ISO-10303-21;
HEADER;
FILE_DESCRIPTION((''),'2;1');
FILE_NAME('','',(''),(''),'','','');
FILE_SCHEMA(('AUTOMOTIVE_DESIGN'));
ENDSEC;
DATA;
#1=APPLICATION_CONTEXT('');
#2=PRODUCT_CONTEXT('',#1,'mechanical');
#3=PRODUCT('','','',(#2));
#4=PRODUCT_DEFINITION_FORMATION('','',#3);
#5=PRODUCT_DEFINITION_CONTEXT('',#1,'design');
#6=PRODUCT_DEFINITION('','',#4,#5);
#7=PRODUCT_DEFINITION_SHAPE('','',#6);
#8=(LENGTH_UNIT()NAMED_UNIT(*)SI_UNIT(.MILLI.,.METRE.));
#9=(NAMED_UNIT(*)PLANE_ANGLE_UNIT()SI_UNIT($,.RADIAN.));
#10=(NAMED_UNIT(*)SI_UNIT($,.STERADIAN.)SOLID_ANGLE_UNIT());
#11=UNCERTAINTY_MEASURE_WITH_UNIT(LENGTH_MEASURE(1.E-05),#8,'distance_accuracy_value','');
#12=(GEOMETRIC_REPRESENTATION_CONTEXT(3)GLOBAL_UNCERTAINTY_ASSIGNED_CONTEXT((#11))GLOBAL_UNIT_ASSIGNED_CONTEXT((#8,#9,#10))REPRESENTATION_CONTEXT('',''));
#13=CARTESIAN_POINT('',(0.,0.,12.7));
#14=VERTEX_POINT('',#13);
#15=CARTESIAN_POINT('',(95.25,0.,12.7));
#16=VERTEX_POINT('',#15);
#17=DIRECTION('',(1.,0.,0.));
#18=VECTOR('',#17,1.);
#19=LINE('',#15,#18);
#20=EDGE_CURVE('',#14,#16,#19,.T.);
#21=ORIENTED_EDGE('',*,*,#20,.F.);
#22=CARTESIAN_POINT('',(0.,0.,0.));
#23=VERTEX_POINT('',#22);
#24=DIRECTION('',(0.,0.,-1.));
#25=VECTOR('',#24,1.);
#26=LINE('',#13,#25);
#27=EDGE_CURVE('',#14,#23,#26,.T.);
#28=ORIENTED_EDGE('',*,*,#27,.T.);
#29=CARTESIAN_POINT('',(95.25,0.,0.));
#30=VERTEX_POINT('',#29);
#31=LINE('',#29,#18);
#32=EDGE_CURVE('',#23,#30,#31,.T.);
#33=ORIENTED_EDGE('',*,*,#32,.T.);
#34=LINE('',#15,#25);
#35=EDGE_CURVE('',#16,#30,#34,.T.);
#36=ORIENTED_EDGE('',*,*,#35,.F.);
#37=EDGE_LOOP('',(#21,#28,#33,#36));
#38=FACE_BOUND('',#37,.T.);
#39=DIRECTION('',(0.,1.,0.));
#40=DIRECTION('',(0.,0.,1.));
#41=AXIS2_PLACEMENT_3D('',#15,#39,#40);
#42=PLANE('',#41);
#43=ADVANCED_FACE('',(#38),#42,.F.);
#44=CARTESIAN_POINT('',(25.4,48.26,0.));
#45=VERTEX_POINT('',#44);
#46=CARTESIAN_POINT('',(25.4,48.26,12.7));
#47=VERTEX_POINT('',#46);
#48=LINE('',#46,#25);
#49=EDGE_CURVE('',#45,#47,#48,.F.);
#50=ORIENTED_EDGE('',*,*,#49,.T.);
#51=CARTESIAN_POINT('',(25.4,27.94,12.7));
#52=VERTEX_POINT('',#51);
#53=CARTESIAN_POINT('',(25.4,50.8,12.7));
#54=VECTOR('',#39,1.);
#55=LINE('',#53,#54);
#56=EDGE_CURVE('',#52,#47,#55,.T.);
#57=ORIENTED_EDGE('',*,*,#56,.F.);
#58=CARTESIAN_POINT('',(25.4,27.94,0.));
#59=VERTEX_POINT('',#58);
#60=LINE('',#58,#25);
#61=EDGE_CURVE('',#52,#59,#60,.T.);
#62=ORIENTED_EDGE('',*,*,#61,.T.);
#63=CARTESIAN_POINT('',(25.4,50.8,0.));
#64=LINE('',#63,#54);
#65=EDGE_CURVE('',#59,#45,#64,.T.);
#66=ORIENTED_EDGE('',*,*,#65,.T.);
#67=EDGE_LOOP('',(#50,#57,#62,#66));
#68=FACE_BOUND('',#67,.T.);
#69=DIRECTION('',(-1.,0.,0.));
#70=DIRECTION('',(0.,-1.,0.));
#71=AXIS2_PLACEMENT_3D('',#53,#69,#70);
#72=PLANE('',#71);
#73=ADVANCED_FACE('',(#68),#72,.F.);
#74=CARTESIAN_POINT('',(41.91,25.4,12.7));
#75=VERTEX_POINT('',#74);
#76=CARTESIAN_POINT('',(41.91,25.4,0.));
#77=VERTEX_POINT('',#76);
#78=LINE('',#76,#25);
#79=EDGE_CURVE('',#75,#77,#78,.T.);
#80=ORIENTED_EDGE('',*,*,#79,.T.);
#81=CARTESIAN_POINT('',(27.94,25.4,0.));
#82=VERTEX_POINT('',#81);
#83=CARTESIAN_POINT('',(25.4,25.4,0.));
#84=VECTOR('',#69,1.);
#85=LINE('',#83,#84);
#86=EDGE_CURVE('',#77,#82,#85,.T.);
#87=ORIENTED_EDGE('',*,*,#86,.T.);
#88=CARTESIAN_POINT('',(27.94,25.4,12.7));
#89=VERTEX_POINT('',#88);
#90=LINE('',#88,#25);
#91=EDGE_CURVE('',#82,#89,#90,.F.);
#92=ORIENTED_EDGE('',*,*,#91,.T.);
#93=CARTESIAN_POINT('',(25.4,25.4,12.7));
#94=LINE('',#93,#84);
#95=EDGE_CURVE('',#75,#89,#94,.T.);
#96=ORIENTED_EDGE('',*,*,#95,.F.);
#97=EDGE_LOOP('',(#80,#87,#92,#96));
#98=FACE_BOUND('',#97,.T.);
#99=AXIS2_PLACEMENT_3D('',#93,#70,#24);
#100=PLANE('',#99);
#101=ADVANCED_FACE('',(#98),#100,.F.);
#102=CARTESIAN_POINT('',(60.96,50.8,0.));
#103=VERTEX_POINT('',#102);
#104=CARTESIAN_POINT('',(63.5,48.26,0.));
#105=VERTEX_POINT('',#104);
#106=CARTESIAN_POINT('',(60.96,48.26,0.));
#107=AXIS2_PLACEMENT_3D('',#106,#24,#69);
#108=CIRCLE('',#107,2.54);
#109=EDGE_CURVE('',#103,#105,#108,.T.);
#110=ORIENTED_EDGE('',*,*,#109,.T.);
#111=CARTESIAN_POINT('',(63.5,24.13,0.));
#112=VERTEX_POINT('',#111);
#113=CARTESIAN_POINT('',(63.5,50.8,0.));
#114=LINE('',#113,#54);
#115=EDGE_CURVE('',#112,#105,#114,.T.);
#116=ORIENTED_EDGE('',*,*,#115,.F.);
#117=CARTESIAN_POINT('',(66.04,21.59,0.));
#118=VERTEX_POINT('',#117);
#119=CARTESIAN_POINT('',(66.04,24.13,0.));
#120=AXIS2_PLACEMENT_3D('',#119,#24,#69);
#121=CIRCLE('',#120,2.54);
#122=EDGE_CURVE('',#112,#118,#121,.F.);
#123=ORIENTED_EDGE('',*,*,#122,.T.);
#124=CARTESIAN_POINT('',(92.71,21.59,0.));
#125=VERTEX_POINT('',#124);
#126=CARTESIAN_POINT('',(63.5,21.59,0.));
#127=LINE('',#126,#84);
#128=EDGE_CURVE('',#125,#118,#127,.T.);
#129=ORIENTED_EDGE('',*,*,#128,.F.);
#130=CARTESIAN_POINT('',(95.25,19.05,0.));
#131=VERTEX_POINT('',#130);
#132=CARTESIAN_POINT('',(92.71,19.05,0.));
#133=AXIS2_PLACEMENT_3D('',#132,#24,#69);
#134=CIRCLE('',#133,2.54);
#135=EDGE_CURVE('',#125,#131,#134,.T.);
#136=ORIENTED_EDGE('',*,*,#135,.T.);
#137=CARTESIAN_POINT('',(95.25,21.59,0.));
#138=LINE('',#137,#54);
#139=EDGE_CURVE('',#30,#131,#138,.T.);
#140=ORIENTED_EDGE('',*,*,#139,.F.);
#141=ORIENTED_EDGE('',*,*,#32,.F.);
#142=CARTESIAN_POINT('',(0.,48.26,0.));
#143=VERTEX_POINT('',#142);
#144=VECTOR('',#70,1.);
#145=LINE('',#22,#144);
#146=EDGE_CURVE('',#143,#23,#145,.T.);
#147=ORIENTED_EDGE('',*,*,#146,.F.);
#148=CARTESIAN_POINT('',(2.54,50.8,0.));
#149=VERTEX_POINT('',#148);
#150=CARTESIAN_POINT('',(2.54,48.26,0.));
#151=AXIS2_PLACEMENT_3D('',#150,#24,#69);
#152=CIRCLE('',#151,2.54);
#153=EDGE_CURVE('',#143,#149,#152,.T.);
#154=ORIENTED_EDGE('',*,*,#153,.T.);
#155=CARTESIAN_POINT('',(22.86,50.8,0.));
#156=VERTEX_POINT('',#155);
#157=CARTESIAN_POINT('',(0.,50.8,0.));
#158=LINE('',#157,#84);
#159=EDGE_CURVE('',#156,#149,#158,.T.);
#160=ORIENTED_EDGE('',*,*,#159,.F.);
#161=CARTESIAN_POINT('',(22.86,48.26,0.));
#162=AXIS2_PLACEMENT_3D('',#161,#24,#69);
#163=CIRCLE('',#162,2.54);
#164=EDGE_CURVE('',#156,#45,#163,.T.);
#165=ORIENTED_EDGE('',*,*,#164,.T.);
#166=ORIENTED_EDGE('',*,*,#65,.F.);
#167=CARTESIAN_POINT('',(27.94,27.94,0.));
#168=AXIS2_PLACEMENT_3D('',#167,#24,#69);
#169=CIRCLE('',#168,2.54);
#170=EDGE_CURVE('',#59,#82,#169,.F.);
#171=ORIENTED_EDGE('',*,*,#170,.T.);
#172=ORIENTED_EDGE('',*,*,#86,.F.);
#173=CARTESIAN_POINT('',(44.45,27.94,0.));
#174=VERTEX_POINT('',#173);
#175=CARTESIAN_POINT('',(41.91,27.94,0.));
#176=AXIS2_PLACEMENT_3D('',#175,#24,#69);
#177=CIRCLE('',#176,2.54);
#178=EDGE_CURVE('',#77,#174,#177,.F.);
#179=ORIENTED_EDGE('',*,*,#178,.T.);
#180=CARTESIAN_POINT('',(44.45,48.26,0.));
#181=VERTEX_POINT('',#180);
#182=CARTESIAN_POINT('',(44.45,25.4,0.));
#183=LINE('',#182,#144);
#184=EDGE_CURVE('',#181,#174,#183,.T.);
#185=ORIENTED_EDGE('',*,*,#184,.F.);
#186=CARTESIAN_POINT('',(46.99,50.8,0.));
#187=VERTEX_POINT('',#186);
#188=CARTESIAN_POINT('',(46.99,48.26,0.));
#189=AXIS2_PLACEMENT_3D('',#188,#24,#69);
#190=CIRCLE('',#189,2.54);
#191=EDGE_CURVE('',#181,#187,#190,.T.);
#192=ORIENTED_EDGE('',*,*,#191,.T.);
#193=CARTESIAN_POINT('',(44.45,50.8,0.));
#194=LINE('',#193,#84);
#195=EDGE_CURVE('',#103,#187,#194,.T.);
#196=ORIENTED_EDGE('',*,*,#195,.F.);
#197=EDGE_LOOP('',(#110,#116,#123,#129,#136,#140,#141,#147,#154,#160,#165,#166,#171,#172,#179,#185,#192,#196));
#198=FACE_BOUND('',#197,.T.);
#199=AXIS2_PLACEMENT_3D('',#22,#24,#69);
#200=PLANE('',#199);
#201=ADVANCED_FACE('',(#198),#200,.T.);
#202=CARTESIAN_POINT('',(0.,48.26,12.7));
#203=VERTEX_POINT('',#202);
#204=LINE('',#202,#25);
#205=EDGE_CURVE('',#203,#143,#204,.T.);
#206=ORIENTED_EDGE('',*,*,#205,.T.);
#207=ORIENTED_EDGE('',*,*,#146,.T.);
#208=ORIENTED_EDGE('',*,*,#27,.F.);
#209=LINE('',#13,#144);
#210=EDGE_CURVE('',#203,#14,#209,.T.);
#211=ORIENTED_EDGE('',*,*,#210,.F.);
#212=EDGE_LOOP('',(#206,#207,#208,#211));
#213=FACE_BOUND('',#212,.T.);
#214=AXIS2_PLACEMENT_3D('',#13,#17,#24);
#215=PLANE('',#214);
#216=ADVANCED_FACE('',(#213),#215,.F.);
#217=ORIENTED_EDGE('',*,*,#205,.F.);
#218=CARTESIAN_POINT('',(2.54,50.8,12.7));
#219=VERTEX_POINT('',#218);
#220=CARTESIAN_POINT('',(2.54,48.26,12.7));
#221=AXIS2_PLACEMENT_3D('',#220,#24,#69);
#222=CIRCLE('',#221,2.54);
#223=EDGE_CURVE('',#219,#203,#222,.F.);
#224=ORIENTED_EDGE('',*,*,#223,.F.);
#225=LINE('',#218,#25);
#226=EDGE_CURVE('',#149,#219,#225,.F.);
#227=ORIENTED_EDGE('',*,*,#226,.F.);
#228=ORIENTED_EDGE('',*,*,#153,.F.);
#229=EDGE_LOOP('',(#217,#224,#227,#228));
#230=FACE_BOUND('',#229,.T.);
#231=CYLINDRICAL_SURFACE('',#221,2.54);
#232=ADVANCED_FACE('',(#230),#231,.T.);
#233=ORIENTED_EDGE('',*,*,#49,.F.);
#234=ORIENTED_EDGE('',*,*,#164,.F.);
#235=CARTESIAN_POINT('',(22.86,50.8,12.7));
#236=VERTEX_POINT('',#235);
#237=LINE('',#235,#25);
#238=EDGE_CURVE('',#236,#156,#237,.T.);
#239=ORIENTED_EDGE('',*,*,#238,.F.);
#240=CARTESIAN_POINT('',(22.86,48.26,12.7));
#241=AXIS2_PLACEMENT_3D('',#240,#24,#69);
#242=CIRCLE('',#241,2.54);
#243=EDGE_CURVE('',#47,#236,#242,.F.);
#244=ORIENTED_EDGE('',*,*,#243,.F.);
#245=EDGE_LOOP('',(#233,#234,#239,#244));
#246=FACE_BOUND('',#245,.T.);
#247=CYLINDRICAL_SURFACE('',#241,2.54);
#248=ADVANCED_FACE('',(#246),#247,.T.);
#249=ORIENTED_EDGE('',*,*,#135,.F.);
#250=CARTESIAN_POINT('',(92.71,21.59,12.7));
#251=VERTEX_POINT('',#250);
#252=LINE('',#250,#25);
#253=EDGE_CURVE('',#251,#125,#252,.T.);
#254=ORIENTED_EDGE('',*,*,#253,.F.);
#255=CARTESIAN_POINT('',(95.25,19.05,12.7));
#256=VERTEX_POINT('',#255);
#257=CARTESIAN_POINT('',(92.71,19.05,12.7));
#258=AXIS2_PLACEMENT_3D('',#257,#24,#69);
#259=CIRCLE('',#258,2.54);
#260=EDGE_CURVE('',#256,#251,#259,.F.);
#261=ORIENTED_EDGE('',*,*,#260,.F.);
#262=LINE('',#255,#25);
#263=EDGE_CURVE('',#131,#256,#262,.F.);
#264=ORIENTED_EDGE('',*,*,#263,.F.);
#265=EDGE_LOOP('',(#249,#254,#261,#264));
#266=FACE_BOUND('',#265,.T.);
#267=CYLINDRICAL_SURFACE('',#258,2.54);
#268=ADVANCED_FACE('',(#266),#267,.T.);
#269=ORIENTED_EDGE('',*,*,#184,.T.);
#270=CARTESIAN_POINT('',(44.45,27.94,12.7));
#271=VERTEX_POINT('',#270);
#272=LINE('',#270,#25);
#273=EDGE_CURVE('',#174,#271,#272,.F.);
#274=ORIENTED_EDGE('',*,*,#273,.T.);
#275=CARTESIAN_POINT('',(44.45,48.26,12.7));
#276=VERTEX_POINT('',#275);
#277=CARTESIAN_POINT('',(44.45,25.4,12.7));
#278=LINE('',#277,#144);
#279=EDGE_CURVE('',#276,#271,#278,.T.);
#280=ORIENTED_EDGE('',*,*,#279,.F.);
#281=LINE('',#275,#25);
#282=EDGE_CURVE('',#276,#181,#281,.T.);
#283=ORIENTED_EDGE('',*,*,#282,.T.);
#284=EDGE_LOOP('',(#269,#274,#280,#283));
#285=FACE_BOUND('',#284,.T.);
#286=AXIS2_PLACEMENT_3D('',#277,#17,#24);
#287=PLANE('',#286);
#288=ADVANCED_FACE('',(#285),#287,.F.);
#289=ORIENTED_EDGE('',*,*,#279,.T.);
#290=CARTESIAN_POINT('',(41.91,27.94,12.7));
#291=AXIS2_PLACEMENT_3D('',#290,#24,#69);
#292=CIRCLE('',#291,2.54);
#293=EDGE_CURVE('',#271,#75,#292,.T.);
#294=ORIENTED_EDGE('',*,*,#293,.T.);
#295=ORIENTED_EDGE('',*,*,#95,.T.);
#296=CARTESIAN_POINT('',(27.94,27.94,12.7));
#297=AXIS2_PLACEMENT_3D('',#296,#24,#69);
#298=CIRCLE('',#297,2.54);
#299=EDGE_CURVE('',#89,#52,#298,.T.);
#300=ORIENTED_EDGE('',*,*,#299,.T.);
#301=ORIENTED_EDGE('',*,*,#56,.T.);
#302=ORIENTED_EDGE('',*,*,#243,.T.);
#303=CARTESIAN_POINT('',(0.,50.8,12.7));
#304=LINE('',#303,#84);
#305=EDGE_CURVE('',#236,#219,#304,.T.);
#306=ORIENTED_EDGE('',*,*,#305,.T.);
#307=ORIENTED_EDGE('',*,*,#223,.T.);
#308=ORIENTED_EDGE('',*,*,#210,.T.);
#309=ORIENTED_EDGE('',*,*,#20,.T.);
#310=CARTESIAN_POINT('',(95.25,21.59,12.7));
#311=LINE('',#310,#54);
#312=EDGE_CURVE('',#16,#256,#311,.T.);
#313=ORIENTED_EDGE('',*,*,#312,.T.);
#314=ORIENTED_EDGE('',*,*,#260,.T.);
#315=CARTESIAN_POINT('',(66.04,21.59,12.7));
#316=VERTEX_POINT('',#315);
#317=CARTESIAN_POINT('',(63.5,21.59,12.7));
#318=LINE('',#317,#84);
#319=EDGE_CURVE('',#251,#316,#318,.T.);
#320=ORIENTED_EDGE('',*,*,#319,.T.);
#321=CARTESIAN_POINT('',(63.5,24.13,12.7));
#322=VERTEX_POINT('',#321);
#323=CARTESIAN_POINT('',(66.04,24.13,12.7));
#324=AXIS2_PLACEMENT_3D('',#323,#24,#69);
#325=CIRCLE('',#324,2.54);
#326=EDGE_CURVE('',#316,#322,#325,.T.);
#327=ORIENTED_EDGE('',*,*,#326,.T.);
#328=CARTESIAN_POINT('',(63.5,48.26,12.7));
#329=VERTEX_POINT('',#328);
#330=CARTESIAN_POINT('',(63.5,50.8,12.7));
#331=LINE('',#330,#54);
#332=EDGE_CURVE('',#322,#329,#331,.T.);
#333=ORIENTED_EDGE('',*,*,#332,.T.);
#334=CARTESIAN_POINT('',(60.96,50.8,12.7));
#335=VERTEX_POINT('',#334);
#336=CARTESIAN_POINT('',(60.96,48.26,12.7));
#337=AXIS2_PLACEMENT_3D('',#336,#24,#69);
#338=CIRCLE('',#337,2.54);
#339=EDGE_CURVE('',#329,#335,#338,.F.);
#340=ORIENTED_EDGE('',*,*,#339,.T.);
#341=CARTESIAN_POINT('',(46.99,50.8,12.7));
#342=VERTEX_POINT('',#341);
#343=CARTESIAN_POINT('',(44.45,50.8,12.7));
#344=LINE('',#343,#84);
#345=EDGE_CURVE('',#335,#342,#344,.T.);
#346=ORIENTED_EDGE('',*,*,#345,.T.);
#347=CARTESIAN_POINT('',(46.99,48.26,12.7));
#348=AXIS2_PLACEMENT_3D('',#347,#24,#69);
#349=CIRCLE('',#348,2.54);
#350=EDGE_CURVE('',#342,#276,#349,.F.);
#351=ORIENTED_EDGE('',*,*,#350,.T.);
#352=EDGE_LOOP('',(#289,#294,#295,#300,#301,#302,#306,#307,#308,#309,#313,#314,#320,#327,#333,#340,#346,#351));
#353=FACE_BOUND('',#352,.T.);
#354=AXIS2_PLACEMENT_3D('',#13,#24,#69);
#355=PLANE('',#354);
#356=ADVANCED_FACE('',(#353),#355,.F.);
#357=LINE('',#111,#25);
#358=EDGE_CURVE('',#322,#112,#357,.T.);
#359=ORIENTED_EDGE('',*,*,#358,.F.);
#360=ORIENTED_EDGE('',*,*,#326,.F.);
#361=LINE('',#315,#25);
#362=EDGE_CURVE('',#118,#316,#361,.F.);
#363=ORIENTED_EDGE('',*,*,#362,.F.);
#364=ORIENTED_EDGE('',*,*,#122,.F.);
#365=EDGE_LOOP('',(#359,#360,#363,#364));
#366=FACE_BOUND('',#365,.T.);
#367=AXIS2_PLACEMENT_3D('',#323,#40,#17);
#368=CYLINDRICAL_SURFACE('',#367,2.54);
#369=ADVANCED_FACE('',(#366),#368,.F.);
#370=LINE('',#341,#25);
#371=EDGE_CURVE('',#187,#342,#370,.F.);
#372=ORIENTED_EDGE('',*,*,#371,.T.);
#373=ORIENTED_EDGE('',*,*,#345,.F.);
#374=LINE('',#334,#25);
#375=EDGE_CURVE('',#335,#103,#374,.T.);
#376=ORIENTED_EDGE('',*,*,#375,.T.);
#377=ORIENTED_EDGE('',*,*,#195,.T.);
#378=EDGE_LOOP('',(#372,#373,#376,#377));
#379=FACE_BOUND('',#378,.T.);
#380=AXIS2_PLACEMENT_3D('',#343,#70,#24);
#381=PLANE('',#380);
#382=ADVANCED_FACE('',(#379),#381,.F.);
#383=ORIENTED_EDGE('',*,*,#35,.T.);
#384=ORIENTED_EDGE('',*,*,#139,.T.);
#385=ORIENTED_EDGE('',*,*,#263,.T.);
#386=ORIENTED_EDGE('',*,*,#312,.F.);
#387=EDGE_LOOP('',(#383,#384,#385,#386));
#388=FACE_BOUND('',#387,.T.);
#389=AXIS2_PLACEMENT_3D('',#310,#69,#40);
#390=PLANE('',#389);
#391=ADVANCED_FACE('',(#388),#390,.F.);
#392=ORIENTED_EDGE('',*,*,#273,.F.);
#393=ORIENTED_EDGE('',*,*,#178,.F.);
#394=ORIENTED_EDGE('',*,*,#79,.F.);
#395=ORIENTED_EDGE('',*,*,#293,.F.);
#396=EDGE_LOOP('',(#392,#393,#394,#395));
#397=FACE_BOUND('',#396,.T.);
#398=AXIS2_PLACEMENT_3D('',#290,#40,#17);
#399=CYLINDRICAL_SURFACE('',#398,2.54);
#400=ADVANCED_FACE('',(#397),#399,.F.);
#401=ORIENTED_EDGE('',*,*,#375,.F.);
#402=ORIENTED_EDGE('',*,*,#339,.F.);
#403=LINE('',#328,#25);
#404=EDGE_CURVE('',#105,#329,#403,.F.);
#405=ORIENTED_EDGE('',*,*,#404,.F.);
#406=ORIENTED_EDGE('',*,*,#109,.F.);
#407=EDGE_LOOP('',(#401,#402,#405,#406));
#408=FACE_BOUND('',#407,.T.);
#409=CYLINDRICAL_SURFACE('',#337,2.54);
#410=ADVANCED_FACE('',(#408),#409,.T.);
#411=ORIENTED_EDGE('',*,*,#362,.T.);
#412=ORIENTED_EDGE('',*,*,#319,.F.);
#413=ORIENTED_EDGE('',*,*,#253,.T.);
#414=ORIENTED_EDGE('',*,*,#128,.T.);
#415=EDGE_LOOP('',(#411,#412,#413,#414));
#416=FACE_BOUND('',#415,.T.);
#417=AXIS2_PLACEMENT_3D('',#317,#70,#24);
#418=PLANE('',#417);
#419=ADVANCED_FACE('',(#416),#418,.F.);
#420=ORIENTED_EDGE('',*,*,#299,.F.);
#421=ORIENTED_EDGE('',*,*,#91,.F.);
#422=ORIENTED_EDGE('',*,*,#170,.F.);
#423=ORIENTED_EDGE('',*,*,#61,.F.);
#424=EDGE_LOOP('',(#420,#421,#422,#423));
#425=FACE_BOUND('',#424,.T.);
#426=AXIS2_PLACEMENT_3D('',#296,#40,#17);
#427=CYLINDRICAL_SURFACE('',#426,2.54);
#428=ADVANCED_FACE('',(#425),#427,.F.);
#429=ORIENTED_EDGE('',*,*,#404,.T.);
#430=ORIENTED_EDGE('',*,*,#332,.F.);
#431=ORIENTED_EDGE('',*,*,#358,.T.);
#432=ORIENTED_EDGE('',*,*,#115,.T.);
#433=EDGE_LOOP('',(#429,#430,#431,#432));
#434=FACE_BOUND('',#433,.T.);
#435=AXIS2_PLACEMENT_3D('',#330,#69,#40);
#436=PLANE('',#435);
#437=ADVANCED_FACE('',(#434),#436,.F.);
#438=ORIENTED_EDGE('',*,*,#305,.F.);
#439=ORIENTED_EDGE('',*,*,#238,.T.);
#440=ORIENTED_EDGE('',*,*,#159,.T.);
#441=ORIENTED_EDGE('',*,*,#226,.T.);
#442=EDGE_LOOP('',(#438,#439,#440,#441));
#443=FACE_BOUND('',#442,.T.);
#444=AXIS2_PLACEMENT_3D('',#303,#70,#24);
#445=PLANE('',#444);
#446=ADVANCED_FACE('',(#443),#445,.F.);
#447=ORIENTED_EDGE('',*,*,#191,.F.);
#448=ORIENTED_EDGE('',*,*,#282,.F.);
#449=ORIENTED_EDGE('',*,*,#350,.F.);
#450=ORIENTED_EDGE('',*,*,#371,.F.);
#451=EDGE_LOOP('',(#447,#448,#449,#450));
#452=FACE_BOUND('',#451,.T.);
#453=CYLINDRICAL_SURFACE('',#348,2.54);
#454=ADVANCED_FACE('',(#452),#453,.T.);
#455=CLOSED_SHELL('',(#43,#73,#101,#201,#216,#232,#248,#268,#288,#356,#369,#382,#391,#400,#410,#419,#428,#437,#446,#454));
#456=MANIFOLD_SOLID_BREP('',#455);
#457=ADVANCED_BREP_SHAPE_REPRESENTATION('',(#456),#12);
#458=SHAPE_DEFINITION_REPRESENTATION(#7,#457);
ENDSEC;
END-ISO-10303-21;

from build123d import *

# Parameters (mm, degrees)
BOSS_EXTRUDE1_DEPTH = 12.7
FILLET1_R           = 2.54


with BuildPart() as part:
    # Sketch1 → Boss-Extrude1 (new body)
    with BuildSketch(Plane.XY):
        Polygon((0, 0), (0, 50.8), (25.4, 50.8), (25.4, 25.4), (44.45, 25.4), (44.45, 50.8), (63.5, 50.8), (63.5, 21.59), (95.25, 21.59), (95.25, 0), align=None)
    extrude(amount=BOSS_EXTRUDE1_DEPTH)

    # Fillet1
    fillet1_edges = [part.edges().sort_by_distance(p)[0] for p in [
        (0, 50.8, 6.35),
        (25.4, 50.8, 6.35),
        (25.4, 25.4, 6.35),
        (44.45, 25.4, 6.35),
        (44.45, 50.8, 6.35),
        (63.5, 50.8, 6.35),
        (63.5, 21.59, 6.35),
        (95.25, 21.59, 6.35),
    ]]
    fillet(fillet1_edges, radius=FILLET1_R)


solid = part.part
